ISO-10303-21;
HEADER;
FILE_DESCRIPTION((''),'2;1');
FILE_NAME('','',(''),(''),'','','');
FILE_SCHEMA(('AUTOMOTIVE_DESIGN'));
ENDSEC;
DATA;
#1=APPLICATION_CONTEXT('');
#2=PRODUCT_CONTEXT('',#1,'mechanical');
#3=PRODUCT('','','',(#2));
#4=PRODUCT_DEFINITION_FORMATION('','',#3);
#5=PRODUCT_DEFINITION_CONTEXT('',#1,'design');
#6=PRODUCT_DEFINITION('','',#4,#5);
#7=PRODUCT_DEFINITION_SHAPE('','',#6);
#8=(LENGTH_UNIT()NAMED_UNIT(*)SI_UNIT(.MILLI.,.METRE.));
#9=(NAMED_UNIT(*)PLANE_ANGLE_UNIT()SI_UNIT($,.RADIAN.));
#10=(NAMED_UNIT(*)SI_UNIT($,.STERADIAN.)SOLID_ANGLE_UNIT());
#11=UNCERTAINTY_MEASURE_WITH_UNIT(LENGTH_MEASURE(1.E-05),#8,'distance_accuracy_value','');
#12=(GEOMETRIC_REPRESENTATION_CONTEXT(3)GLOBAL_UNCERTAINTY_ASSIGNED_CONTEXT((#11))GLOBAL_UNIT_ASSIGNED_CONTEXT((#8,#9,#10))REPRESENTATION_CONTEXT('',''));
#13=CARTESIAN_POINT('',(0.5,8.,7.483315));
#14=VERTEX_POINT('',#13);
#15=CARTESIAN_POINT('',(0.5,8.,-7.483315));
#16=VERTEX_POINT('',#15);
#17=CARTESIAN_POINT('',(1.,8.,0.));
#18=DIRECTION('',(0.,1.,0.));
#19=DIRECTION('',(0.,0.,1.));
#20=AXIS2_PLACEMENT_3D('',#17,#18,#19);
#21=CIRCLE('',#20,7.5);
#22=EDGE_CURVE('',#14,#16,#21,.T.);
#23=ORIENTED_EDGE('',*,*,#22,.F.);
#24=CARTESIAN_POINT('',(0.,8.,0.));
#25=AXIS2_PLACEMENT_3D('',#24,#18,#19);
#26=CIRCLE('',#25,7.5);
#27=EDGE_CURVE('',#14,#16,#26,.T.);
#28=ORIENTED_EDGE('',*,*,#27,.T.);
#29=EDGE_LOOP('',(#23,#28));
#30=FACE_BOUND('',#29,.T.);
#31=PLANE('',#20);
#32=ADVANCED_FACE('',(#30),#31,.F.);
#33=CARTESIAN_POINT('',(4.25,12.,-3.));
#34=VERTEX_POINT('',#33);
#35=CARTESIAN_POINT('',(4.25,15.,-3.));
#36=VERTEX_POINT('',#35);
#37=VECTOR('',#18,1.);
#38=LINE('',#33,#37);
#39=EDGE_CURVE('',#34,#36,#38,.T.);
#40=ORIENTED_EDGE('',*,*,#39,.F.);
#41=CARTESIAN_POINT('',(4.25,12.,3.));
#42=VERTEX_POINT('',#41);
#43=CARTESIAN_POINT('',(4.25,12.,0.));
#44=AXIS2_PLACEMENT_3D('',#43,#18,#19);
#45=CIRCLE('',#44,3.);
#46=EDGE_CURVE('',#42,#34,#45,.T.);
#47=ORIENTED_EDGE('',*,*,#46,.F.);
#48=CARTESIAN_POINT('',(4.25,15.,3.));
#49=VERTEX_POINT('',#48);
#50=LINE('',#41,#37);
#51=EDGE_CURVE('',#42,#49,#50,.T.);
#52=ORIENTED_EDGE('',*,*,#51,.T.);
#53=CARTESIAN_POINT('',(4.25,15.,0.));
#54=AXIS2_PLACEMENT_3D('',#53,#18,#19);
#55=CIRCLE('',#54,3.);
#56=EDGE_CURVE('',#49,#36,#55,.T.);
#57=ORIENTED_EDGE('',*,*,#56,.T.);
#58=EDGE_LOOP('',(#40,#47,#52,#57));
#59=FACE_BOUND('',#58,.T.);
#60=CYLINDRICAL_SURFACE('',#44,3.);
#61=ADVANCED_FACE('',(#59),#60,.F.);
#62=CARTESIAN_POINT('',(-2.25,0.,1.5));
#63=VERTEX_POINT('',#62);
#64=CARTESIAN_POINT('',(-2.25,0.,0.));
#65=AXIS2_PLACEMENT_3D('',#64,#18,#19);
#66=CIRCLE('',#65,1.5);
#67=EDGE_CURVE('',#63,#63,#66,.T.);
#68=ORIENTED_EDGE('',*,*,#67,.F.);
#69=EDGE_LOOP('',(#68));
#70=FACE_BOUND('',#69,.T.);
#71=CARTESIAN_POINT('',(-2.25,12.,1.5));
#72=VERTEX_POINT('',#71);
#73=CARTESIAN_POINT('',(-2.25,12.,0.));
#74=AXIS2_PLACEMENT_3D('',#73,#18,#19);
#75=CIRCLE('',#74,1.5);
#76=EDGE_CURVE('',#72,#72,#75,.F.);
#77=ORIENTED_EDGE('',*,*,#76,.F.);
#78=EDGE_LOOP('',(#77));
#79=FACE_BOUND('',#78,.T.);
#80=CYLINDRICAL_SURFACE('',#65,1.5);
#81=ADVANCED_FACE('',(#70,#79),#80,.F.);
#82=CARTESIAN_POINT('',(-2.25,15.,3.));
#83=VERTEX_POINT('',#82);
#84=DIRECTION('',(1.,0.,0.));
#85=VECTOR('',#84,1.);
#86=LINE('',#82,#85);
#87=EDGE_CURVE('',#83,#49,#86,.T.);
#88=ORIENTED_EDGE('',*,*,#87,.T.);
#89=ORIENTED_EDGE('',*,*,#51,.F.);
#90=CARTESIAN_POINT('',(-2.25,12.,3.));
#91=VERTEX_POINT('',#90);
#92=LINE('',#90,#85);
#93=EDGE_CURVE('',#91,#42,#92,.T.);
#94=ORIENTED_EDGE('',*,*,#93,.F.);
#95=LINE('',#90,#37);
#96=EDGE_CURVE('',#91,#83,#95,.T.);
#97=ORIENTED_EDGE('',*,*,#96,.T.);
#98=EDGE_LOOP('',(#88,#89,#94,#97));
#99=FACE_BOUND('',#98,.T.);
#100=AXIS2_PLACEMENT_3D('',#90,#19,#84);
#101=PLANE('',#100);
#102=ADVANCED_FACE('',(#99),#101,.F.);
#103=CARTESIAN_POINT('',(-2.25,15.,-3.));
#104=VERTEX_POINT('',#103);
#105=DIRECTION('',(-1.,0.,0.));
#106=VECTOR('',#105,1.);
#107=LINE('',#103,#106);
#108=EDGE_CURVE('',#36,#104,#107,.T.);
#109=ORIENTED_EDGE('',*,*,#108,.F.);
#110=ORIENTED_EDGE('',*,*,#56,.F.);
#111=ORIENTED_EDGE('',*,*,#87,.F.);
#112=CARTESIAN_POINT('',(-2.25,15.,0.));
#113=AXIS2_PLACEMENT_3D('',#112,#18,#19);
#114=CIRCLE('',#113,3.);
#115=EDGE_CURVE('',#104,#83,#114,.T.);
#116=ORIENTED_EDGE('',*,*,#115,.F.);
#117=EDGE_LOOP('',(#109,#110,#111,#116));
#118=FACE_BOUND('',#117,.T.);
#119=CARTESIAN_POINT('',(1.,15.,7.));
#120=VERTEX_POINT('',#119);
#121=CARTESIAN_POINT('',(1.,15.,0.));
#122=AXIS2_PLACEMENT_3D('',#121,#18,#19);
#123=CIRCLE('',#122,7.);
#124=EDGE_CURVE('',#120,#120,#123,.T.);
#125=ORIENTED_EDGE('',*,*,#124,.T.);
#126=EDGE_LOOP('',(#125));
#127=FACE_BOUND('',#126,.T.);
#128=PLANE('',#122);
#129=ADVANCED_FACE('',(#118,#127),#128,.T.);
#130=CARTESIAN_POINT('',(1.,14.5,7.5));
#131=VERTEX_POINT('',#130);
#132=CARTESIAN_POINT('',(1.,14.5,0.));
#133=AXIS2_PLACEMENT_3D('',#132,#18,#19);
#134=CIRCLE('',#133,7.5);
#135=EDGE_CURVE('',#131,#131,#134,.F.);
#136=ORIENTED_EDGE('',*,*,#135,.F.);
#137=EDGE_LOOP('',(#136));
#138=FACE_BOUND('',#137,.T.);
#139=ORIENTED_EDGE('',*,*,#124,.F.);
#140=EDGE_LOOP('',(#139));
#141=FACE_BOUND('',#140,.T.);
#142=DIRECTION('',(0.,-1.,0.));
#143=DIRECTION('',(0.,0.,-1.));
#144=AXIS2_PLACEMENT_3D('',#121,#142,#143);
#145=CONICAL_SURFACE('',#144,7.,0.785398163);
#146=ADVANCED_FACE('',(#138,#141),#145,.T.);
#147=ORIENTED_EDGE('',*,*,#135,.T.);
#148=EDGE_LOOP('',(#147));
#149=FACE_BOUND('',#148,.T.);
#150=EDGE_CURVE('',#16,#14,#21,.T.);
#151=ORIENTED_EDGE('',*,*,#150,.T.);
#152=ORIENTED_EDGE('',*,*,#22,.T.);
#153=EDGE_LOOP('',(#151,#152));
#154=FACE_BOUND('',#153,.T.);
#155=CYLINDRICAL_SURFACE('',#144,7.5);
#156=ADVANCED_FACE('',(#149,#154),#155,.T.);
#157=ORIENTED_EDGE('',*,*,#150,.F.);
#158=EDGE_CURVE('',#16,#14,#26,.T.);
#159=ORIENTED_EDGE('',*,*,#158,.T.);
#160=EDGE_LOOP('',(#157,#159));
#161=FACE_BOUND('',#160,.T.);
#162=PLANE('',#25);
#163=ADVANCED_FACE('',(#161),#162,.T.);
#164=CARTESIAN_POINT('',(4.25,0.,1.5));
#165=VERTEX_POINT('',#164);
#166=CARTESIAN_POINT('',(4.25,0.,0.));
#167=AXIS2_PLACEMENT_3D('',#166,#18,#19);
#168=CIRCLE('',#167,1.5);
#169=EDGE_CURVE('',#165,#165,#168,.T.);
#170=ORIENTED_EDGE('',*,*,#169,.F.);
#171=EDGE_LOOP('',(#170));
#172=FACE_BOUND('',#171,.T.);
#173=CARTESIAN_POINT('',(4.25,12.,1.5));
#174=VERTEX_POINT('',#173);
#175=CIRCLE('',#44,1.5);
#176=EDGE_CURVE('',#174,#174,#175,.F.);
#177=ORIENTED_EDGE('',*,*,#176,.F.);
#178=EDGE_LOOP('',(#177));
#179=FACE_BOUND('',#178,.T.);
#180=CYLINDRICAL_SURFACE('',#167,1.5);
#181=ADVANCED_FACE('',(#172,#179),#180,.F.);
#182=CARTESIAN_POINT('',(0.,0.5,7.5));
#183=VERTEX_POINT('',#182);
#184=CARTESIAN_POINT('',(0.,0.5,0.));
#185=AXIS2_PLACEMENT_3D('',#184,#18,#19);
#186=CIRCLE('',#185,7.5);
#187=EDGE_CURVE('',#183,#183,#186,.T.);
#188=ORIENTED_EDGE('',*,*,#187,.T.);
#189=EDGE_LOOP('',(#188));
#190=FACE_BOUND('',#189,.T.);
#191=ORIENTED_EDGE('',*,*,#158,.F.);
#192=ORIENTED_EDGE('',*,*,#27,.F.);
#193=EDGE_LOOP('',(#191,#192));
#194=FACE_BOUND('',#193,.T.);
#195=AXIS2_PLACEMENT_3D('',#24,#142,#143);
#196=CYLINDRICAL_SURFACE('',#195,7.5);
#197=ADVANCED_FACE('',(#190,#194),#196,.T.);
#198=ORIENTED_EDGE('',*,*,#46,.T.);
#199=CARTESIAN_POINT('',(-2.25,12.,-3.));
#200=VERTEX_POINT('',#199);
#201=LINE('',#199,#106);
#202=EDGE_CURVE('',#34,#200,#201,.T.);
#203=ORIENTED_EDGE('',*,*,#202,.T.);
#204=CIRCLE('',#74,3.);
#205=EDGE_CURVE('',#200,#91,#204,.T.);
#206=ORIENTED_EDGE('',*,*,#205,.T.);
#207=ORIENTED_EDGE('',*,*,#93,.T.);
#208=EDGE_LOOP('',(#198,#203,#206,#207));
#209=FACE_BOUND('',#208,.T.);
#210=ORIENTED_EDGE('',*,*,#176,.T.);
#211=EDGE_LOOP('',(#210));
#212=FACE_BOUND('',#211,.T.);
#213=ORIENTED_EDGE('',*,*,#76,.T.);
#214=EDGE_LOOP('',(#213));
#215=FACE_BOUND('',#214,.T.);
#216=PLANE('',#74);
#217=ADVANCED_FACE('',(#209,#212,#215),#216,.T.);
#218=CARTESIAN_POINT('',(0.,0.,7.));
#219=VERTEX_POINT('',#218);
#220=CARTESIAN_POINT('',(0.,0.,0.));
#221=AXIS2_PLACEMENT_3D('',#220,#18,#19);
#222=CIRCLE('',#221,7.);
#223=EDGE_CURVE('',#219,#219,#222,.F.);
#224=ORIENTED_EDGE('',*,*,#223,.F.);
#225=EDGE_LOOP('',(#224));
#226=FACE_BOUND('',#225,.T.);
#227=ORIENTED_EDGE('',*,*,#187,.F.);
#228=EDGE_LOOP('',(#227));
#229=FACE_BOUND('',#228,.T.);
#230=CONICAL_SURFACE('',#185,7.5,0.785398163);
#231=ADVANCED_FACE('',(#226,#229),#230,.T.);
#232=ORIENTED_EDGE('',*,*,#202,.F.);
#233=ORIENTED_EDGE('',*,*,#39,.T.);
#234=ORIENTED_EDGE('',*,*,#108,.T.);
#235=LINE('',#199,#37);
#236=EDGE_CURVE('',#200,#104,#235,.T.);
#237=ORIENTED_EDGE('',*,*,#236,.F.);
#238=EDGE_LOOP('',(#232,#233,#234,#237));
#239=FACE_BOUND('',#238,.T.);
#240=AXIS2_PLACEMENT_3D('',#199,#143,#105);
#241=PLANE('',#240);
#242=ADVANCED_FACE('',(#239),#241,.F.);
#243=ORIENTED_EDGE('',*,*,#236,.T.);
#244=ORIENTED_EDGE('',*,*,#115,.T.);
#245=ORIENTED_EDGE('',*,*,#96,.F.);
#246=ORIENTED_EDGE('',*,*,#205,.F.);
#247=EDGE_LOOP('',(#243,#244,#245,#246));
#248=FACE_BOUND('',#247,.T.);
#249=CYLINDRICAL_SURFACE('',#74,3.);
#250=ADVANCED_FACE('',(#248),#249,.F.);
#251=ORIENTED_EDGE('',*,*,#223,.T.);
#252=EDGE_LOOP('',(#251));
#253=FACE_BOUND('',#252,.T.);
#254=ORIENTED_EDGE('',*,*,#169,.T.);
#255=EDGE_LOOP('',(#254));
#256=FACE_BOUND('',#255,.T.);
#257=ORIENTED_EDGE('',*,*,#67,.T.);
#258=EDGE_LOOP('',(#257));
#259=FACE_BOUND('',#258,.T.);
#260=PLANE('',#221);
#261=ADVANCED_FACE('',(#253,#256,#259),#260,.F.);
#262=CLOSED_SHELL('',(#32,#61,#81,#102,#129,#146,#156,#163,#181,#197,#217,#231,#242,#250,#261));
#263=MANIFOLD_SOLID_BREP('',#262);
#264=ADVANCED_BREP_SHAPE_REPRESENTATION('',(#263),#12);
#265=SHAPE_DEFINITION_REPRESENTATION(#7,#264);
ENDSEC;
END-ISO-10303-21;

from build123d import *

# Parameters (mm, degrees)
SKETCH1_R           = 7.5
BOSS_EXTRUDE1_DEPTH = 8
SKETCH2_R           = 7.5
BOSS_EXTRUDE2_DEPTH = 7
SKETCH3_R           = 1.5
CUT_EXTRUDE1_DEPTH  = 19.801595677
CUT_EXTRUDE3_DEPTH  = 3
CHAMFER1_SIZE       = 0.5


with BuildPart() as part:
    # Sketch1 → Boss-Extrude1 (new body)
    with BuildSketch(Plane(origin=(0, 0, 0), x_dir=(1, 0, 0), z_dir=(0, 1, 0))):
        with Locations(Location((0, 0, 0), (0, 0, 270))):
            Circle(SKETCH1_R)
    extrude(amount=BOSS_EXTRUDE1_DEPTH)

    # Sketch2 → Boss-Extrude2 (add)
    with BuildSketch(Plane(origin=(0, 8, 0), x_dir=(1, 0, 0), z_dir=(0, 1, 0))):
        with Locations(Location((1, 0, 0), (0, 0, 93.822553729))):
            Circle(SKETCH2_R)
    extrude(amount=BOSS_EXTRUDE2_DEPTH)

    # Sketch3 → Cut-Extrude1 (cut, through all)
    with BuildSketch(Plane(origin=(0, 15, 0), x_dir=(1, 0, 0), z_dir=(0, 1, 0))):
        with Locations(Location((-2.25, 0, 0), (0, 0, 270))):
            Circle(SKETCH3_R)
        with Locations(Location((4.25, 0, 0), (0, 0, 270))):
            Circle(SKETCH3_R)
    extrude(amount=-CUT_EXTRUDE1_DEPTH, mode=Mode.SUBTRACT)

    # Sketch5 → Cut-Extrude3 (cut)
    with BuildSketch(Plane(origin=(0, 15, 0), x_dir=(1, 0, 0), z_dir=(0, 1, 0))):
        with BuildLine():
            Line((-2.25, 3), (4.25, 3))
            ThreePointArc((4.25, 3), (7.25, 0), (4.25, -3))
            Line((4.25, -3), (-2.25, -3))
            ThreePointArc((-2.25, -3), (-5.25, 0), (-2.25, 3))
        make_face()
    extrude(amount=-CUT_EXTRUDE3_DEPTH, mode=Mode.SUBTRACT)

    # Chamfer1
    chamfer1_edges = [part.edges().sort_by_distance(p)[0] for p in [
        (0, 0, -7.5),
        (1.5, 15, 7.483314774),
    ]]
    chamfer(chamfer1_edges, length=CHAMFER1_SIZE)


solid = part.part
